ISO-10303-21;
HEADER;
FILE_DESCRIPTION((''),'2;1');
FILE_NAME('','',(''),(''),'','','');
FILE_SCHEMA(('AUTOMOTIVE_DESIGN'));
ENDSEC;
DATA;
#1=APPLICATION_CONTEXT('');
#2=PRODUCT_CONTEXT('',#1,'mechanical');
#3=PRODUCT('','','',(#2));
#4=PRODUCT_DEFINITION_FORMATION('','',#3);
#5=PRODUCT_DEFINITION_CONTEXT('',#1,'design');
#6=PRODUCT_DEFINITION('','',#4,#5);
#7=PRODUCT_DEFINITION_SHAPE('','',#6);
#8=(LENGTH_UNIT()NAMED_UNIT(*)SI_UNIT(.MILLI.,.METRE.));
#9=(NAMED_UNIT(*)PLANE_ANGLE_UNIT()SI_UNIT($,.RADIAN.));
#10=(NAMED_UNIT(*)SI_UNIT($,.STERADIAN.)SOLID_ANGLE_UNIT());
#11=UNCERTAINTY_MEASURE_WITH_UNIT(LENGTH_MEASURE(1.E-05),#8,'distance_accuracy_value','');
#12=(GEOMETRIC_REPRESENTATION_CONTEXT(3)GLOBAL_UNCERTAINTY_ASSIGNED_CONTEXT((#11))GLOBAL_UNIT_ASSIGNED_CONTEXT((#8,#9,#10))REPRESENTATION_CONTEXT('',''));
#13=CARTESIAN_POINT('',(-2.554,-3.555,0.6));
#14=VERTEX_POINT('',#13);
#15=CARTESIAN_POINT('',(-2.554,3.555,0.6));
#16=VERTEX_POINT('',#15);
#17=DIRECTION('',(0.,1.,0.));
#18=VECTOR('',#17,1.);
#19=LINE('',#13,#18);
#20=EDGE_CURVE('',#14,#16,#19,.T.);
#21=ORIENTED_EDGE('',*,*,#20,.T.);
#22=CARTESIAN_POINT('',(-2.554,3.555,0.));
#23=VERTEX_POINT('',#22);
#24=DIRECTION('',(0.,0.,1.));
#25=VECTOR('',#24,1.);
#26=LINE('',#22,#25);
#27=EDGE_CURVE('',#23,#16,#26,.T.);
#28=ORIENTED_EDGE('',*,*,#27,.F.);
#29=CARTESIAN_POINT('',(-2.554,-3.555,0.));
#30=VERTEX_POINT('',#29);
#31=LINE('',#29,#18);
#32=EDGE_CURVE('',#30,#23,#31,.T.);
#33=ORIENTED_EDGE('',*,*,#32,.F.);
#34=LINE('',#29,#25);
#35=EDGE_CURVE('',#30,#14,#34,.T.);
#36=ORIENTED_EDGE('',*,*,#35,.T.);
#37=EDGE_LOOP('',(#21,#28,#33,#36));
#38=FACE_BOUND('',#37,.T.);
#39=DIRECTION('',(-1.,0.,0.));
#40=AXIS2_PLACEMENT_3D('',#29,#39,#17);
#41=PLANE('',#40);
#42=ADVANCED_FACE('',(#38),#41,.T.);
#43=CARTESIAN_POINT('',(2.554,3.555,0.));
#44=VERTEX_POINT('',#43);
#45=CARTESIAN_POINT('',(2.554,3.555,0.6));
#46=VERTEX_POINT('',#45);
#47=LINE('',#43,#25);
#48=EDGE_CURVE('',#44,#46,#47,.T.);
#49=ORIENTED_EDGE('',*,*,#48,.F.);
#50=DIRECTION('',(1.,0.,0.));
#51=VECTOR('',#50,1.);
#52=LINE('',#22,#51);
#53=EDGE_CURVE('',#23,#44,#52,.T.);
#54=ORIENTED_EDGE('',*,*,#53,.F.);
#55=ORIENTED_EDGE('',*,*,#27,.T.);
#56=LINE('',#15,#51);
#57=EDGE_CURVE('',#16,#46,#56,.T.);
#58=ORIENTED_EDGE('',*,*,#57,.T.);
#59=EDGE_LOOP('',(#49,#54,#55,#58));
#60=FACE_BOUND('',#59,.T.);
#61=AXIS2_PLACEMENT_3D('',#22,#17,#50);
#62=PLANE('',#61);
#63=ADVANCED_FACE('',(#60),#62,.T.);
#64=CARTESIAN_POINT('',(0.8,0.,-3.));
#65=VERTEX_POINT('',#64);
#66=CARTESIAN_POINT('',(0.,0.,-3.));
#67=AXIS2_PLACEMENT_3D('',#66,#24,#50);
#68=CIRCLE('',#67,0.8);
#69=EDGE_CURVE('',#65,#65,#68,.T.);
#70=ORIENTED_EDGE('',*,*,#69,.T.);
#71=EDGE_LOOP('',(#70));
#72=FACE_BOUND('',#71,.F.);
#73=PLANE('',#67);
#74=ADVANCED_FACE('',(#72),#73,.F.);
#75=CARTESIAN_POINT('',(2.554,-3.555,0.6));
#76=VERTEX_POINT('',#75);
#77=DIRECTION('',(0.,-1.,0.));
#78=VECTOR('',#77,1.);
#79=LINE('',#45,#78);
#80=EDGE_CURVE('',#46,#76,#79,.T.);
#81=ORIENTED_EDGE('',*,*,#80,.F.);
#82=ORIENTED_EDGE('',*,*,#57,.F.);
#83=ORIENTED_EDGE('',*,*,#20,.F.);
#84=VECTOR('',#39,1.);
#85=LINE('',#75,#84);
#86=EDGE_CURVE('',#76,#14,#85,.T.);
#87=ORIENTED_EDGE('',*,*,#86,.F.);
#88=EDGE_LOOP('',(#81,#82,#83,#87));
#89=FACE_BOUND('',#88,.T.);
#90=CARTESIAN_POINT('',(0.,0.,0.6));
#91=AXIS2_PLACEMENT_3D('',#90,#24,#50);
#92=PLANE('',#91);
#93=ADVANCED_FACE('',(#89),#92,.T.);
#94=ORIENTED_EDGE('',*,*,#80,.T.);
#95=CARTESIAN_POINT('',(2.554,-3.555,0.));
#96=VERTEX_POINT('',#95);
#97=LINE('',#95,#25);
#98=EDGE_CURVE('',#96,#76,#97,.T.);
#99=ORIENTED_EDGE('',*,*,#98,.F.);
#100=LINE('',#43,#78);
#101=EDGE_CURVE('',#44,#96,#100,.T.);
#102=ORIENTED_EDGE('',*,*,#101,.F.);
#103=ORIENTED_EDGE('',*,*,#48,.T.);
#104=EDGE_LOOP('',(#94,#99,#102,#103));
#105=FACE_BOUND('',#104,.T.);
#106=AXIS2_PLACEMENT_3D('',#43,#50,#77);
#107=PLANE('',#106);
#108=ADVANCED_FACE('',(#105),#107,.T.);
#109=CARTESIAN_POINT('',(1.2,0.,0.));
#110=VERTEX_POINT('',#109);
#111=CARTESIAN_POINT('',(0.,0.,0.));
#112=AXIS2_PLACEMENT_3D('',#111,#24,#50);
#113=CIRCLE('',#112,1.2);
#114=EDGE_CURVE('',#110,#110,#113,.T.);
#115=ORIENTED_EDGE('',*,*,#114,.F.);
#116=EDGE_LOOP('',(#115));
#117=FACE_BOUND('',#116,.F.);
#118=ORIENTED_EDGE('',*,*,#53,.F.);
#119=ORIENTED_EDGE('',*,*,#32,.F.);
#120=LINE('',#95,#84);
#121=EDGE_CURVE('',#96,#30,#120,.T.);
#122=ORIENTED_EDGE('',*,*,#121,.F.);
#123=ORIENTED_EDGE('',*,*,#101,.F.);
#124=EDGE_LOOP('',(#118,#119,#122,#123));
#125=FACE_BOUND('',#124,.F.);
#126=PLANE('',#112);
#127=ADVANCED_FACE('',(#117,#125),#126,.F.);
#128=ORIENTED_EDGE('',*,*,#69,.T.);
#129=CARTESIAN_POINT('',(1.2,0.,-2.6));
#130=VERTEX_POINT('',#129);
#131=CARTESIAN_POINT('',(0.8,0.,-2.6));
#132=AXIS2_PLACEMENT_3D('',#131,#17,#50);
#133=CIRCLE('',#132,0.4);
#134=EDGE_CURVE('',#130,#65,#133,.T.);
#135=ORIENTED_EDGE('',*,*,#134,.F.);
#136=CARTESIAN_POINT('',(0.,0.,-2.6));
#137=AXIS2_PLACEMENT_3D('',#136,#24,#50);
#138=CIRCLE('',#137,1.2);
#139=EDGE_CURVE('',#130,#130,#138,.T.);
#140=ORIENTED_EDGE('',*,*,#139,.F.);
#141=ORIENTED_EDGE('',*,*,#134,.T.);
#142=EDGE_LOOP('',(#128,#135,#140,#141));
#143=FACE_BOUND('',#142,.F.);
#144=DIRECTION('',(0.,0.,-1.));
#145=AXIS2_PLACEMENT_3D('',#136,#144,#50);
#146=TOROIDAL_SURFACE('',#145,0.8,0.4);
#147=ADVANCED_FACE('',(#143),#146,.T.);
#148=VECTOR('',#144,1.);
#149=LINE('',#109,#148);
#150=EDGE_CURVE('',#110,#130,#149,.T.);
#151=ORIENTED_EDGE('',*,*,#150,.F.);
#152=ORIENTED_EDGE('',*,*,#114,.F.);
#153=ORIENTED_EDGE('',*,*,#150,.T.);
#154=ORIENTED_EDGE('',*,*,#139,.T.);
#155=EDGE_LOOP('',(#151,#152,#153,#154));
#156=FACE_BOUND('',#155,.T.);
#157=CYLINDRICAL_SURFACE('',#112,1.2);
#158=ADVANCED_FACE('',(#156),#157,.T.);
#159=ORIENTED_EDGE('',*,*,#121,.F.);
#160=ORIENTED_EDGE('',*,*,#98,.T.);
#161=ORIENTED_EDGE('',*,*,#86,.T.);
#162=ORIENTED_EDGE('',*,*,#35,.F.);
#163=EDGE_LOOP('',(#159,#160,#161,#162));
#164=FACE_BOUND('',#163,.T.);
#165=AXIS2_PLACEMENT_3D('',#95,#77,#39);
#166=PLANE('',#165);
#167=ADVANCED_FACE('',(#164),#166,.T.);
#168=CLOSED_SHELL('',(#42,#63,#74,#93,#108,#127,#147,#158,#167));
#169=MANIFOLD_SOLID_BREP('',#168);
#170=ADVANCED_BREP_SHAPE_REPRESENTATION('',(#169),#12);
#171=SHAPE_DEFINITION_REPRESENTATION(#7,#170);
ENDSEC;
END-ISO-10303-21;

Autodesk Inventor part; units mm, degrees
ref_plane "YZ Plane" through (0, 0, 0) normal (1, 0, 0) x (0, 1, 0)
ref_plane "XZ Plane" through (0, 0, 0) normal (0, 1, 0) x (-1, 0, 0)
ref_plane "XY Plane" through (0, 0, 0) normal (0, 0, 1) x (1, 0, 0)
sketch "Sketch1" plane through (0, 0, 0) normal (0, 0, 1) x (1, 0, 0)
  line L0 (2.554, -3.555) -> (-2.554, -3.555)
  line L1 (-2.554, -3.555) -> (-2.554, 3.555)
  line L2 (-2.554, 3.555) -> (2.554, 3.555)
  line L3 (2.554, 3.555) -> (2.554, -3.555)
  line L4 (2.554, -3.555) -> (-2.554, 3.555) construction
  line L5 (-2.554, -3.555) -> (2.554, 3.555) construction
  point P0 (0, 0)
  dimension "d0" = 5.108
  dimension "d1" = 7.11
sketch "Sketch2" plane through (0, 0, 0) normal (0, 0, 1) x (1, 0, 0)
  circle A0 centre (0, 0) radius 1.2
  dimension "d2" = 2.4
extrude "Extrusion1" add sketch "Sketch1" along normal blind 0.6
extrude "Extrusion2" add sketch "Sketch2" against normal blind 3
fillet "Fillet1" radius 0.4 1 edges at (-1.2, 0, -3)
properties part number "tombol"
